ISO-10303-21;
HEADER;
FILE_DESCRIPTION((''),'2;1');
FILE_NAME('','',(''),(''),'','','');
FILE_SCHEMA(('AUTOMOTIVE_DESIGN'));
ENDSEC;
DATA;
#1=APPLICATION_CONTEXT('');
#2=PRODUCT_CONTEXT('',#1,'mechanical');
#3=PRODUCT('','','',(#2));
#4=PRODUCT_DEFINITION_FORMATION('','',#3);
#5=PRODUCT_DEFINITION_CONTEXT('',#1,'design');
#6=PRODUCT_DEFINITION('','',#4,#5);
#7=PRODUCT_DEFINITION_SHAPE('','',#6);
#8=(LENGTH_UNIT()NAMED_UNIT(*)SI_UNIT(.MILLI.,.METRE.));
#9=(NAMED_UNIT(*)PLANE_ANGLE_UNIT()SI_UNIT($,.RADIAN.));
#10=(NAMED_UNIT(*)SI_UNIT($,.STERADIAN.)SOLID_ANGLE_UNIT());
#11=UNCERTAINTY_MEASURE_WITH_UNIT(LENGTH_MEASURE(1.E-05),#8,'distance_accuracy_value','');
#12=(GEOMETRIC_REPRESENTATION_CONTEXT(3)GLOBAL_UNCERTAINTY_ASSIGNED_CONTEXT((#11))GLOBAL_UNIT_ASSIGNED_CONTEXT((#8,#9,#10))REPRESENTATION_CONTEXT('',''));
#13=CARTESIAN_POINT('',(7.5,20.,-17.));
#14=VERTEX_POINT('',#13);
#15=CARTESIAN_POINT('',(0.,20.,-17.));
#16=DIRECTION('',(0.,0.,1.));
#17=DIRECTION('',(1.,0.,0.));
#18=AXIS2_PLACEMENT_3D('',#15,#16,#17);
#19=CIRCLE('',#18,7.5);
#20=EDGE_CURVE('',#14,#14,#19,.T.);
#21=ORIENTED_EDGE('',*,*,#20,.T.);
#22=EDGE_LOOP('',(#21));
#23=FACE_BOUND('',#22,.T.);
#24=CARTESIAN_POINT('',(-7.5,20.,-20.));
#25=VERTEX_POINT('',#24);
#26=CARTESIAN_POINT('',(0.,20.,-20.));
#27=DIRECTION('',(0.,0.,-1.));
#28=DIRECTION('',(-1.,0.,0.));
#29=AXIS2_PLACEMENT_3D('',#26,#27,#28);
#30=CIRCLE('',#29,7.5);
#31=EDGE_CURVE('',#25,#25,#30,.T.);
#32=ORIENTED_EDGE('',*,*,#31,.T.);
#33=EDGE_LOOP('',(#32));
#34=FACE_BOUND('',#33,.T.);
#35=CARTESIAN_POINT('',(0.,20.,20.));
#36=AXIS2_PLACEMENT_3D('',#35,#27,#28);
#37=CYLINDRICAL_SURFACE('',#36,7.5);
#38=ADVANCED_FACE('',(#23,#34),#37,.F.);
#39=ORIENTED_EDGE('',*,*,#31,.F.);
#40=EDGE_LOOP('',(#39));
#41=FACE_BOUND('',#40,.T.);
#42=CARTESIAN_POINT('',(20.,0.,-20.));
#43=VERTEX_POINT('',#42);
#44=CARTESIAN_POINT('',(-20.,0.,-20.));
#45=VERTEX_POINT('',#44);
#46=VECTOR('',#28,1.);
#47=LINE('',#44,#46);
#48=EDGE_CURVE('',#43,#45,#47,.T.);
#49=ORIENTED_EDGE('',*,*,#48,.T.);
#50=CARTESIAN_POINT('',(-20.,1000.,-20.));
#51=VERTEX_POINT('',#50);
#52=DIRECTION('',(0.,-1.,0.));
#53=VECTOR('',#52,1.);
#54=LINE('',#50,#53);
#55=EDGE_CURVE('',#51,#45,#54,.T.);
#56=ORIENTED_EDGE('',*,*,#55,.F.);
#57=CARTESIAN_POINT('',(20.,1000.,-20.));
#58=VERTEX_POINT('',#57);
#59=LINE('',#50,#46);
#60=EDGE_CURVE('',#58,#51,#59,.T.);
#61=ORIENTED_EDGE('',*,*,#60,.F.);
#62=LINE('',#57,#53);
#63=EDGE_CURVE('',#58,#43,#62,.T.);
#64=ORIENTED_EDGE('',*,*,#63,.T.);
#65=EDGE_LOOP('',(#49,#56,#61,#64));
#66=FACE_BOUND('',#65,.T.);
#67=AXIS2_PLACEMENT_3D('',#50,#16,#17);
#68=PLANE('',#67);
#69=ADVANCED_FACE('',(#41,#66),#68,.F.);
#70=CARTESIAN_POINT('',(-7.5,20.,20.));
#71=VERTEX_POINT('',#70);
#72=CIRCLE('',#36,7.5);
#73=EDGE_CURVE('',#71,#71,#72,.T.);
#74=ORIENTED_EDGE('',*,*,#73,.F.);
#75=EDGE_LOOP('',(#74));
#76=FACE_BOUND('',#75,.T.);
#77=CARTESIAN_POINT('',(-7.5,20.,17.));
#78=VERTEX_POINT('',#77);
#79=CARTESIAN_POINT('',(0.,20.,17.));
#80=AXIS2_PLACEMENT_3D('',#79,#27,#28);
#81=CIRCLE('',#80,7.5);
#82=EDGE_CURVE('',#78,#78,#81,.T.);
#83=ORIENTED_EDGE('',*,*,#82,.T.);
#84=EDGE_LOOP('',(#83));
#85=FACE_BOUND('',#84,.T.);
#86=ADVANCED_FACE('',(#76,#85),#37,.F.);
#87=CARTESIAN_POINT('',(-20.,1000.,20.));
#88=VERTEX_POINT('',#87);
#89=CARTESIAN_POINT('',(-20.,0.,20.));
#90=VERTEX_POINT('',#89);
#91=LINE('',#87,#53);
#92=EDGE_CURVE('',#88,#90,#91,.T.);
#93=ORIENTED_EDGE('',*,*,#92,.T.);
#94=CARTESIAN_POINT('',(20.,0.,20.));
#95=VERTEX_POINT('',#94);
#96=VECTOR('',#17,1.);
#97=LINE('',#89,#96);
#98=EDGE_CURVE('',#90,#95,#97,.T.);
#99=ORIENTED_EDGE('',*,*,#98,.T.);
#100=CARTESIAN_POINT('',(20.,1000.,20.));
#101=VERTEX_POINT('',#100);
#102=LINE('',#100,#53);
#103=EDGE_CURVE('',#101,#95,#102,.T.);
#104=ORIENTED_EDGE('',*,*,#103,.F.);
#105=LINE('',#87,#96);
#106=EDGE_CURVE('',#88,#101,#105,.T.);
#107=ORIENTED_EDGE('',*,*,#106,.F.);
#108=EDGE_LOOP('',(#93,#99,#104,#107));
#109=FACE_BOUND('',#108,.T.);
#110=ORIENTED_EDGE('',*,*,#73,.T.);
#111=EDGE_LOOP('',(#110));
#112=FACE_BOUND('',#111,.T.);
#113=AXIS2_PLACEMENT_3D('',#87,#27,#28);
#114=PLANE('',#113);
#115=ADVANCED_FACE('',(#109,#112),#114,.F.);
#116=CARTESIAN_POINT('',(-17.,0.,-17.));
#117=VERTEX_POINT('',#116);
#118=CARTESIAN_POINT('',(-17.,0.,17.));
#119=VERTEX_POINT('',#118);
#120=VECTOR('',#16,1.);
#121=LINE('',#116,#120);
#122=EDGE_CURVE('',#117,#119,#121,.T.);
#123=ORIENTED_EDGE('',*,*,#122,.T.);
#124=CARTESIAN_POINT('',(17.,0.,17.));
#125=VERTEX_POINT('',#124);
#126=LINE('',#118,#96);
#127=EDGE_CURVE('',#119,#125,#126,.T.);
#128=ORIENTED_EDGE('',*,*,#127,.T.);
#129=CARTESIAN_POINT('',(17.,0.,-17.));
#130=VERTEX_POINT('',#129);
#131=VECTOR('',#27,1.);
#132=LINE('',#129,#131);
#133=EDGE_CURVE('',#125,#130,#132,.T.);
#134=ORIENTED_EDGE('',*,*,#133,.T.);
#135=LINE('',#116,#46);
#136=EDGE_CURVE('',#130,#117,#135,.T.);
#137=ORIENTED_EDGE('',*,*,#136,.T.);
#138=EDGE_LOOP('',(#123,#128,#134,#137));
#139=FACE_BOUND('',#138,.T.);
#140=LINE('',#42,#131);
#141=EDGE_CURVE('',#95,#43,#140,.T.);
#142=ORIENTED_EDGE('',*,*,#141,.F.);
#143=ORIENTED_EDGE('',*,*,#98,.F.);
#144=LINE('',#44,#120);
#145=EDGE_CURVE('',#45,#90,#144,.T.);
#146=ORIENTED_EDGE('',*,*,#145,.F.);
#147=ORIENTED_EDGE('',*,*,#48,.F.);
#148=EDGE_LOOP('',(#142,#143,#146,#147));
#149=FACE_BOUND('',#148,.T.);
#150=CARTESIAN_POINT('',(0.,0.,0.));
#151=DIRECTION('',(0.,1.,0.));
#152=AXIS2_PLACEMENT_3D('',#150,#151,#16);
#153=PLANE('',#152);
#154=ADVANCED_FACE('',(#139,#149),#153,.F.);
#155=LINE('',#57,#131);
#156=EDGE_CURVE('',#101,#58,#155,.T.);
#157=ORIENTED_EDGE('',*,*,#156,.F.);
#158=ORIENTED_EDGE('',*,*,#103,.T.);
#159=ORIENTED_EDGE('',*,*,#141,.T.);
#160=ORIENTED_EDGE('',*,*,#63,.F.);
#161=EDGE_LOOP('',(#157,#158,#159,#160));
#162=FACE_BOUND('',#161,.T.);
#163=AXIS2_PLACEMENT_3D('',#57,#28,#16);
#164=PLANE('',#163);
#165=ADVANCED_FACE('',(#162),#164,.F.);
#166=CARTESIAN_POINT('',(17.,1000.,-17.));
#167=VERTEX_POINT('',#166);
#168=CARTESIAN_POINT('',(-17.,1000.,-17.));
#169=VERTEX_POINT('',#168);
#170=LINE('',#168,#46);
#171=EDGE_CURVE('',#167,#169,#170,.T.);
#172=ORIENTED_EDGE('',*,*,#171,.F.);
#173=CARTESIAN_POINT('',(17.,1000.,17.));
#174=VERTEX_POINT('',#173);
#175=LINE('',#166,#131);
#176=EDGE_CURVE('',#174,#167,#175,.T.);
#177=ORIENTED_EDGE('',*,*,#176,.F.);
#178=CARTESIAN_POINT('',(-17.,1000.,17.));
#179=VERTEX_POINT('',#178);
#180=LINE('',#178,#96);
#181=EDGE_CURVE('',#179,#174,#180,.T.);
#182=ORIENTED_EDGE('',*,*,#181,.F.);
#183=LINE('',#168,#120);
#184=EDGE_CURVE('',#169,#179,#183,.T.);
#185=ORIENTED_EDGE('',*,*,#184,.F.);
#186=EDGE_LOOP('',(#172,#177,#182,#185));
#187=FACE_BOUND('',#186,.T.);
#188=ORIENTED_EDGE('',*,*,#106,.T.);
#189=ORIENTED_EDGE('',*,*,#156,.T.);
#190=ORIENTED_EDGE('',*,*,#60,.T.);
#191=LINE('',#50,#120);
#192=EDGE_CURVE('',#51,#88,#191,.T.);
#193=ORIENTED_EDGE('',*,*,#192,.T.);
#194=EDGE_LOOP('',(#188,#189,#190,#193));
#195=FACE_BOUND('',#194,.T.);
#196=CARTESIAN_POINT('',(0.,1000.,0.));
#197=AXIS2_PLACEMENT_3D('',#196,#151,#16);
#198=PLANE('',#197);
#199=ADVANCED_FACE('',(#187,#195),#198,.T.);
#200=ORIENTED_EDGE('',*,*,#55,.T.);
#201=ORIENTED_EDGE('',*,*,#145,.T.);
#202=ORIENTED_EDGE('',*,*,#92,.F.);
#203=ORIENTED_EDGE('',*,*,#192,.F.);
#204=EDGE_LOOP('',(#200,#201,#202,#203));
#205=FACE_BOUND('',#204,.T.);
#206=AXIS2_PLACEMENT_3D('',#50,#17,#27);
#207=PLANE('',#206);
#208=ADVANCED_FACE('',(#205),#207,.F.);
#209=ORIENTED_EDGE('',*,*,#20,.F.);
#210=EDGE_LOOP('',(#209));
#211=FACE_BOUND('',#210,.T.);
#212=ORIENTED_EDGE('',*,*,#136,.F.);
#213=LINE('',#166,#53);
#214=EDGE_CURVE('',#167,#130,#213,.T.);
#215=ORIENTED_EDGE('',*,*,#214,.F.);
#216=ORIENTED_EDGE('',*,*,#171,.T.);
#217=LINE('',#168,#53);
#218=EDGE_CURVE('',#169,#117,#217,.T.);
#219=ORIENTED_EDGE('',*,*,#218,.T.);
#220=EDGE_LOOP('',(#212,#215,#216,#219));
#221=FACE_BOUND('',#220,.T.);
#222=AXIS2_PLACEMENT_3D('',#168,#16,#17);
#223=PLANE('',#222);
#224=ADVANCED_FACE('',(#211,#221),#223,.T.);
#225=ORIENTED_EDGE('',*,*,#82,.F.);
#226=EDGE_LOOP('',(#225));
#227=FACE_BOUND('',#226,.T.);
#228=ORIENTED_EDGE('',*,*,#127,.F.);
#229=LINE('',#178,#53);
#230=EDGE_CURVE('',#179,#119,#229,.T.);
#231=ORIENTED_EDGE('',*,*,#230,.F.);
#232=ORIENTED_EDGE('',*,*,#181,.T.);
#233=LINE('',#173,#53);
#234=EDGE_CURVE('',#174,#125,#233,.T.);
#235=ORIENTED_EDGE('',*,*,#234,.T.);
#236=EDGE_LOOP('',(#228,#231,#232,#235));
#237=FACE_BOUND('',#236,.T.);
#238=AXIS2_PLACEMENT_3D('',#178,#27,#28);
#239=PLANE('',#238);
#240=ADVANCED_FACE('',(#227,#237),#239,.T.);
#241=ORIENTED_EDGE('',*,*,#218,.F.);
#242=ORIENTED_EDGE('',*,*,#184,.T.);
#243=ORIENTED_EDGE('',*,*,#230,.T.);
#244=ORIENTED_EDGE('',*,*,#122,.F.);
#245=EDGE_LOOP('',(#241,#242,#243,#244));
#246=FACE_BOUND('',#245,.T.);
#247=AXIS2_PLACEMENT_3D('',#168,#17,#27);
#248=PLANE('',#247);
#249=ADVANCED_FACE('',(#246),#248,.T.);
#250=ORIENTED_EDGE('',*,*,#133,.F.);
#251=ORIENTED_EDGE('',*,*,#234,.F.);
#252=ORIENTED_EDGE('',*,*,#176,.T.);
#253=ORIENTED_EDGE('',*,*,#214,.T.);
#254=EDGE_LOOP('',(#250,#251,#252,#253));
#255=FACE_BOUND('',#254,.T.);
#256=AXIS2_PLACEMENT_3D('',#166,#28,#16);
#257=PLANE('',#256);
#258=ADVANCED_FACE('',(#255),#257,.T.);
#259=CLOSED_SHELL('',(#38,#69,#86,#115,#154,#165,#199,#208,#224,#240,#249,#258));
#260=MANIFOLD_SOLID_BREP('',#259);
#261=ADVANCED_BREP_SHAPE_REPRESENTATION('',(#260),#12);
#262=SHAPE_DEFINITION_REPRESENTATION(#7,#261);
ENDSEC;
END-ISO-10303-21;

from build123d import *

# Parameters (mm, degrees)
CROQUIS1_W              = 40
CROQUIS1_H              = 40
CROQUIS1_W_2            = 34
CROQUIS1_H_2            = 34
SALIENTE_EXTRUIR1_DEPTH = 1000
CROQUIS2_R              = 7.5
CORTAR_EXTRUIR1_DEPTH   = 41


with BuildPart() as part:
    # Croquis1 → Saliente-Extruir1 (new body)
    with BuildSketch(Plane(origin=(0, 0, 0), x_dir=(1, 0, 0), z_dir=(0, 1, 0))):
        Rectangle(CROQUIS1_W, CROQUIS1_H)
        Rectangle(CROQUIS1_W_2, CROQUIS1_H_2, mode=Mode.SUBTRACT)
    extrude(amount=SALIENTE_EXTRUIR1_DEPTH)

    # Croquis2 → Cortar-Extruir1 (cut, through all)
    with BuildSketch(Plane(origin=(0, 0, -20), x_dir=(-1, 0, 0), z_dir=(0, 0, -1))):
        with Locations((0, 20)):
            Circle(CROQUIS2_R)
    extrude(amount=-CORTAR_EXTRUIR1_DEPTH, mode=Mode.SUBTRACT)


solid = part.part
